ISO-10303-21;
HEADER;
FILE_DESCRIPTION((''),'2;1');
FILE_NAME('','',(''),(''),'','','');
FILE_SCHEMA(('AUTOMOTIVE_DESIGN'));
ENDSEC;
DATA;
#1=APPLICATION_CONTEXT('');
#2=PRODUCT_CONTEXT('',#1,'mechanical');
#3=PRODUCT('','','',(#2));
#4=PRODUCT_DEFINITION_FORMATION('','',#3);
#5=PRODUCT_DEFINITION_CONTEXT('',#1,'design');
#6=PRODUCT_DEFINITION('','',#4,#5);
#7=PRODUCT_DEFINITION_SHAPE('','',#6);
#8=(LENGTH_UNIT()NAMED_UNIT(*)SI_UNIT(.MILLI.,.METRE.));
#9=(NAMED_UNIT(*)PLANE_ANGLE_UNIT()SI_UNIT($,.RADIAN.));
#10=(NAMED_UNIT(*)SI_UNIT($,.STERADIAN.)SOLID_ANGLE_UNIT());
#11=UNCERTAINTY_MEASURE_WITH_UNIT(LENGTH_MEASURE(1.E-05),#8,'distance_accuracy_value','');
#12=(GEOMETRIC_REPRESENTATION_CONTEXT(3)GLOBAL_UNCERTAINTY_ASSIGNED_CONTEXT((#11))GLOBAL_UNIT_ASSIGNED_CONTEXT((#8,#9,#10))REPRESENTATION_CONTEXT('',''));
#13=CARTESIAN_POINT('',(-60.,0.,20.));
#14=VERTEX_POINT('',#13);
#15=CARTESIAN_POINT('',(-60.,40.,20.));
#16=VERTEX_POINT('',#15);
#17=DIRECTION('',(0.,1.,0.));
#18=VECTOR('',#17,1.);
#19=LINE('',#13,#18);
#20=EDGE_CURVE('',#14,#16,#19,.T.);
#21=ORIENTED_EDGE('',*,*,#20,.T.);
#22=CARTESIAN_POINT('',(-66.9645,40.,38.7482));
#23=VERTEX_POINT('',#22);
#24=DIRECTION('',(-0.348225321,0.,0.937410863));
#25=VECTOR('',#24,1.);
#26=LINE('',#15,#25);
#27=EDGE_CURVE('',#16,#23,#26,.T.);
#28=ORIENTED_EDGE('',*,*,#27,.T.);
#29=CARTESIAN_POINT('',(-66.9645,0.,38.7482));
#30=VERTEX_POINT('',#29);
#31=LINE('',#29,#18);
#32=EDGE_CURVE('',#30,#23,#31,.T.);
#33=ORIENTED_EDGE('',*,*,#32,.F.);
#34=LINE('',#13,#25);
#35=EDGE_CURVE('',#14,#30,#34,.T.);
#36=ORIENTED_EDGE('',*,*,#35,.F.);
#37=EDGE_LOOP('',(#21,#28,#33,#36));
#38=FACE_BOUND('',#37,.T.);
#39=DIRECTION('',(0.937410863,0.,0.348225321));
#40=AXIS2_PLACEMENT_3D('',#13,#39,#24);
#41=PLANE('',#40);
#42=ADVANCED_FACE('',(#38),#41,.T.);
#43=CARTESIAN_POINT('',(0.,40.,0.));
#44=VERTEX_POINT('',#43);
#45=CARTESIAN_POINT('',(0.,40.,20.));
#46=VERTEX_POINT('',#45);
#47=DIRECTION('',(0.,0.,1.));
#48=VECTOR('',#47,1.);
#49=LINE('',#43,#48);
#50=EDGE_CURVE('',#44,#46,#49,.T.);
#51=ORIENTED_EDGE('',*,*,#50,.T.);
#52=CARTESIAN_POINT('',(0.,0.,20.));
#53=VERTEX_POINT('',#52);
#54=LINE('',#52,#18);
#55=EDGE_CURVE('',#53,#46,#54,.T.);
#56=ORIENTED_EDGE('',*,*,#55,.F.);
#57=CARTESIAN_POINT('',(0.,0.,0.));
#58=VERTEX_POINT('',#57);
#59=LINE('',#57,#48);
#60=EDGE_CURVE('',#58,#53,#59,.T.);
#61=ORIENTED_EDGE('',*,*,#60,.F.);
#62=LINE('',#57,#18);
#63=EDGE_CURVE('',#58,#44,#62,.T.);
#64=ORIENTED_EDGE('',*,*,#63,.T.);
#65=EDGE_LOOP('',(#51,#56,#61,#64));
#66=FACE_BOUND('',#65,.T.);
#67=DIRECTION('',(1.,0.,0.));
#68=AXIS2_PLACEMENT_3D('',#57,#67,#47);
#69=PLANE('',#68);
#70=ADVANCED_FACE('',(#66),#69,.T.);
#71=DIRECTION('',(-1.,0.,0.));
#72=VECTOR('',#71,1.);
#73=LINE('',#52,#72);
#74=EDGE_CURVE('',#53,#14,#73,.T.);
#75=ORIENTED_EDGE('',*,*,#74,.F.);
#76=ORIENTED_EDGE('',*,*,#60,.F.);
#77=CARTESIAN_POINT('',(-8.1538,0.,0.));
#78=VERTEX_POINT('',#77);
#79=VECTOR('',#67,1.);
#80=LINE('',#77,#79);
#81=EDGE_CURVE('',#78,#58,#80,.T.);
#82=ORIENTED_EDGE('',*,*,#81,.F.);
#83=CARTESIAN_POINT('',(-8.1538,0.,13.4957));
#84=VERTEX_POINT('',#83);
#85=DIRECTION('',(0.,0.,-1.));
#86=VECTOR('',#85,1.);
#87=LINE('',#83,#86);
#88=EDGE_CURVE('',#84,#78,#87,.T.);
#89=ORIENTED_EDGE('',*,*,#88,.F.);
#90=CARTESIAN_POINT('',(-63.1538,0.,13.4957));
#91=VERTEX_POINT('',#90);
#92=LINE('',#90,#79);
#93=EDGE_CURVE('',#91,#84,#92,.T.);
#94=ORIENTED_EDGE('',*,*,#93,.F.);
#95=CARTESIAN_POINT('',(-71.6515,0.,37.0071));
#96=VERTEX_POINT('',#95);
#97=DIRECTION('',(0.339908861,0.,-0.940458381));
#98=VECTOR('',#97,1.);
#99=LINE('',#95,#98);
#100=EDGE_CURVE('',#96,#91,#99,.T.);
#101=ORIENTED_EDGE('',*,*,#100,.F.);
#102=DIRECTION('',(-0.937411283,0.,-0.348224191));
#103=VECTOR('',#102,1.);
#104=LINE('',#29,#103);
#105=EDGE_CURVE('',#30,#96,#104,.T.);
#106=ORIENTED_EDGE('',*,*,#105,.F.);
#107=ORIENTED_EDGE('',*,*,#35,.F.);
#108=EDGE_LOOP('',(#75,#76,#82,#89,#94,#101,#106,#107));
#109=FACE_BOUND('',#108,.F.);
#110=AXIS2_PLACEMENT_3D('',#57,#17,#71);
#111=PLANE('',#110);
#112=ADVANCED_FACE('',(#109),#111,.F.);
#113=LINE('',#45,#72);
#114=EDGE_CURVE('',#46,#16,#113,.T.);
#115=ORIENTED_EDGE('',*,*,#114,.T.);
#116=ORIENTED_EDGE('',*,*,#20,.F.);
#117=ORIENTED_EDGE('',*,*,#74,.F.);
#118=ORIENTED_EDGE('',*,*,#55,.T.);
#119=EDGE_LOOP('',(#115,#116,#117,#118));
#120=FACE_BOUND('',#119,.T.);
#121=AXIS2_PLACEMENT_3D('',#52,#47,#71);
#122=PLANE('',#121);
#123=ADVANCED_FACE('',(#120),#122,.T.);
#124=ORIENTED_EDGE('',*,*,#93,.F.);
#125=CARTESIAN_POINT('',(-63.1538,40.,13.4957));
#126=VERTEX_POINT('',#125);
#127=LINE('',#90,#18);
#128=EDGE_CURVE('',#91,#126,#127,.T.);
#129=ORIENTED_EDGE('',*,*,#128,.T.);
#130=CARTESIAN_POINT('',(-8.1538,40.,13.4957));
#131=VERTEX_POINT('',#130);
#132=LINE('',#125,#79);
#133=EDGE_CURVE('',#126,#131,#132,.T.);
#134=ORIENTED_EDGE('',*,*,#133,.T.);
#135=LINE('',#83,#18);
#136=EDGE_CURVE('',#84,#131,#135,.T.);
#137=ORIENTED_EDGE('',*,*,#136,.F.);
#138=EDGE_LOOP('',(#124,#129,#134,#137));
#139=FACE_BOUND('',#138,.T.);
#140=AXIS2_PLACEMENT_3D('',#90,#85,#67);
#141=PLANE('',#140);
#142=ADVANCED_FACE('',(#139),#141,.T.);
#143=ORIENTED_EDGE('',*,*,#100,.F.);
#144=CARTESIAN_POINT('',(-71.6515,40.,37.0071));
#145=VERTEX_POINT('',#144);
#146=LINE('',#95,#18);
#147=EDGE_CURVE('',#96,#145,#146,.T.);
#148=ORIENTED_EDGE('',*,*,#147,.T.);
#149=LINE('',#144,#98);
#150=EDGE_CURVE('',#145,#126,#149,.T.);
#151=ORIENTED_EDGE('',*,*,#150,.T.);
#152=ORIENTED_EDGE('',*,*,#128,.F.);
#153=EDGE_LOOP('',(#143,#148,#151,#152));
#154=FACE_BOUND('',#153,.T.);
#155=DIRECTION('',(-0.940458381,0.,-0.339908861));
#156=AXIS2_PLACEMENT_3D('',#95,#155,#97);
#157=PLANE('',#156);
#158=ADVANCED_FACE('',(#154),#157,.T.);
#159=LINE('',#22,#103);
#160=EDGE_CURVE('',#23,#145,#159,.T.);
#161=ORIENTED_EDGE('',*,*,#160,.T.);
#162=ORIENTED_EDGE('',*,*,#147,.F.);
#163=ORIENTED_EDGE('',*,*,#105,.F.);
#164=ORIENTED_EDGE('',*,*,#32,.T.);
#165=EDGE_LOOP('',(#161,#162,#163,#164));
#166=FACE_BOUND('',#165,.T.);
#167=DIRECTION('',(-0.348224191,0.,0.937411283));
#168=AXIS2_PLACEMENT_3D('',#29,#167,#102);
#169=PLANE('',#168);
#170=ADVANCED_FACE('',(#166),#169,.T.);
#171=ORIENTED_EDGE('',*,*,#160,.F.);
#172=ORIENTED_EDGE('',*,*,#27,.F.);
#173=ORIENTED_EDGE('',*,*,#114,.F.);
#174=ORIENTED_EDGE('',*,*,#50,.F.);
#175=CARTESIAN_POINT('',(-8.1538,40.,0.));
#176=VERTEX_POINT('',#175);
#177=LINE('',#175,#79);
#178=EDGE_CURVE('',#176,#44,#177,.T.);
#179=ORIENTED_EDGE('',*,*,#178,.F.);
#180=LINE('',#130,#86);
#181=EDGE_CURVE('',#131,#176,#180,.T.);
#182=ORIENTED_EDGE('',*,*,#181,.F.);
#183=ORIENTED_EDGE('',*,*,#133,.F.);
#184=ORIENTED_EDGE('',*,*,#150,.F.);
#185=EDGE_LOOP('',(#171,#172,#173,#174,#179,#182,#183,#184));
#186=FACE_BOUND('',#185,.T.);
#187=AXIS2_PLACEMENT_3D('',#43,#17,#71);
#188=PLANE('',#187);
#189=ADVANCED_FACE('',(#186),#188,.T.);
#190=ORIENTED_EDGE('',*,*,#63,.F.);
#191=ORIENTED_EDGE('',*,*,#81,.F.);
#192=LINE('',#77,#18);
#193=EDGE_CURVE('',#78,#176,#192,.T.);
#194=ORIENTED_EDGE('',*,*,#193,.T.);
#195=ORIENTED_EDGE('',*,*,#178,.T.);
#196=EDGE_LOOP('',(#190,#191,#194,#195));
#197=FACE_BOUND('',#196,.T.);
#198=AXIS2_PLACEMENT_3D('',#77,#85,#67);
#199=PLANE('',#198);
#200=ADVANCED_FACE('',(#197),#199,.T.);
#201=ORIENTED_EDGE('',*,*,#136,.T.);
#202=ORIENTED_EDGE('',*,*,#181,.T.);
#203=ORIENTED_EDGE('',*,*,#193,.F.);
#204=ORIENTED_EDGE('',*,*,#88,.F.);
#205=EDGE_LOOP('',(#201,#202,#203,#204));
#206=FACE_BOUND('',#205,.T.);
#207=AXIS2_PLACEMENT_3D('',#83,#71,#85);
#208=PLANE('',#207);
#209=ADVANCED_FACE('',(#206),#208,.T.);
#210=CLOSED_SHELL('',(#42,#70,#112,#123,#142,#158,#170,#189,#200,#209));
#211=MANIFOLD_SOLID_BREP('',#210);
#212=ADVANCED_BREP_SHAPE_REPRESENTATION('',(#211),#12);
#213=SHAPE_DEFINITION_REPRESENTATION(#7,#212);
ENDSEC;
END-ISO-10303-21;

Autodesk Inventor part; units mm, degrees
ref_plane "YZ Plane" through (0, 0, 0) normal (1, 0, 0) x (0, 1, 0)
ref_plane "XZ Plane" through (0, 0, 0) normal (0, 1, 0) x (-1, 0, 0)
ref_plane "XY Plane" through (0, 0, 0) normal (0, 0, 1) x (1, 0, 0)
sketch "Sketch1" plane through (0, 0, 0) normal (0, 1, 0) x (-1, 0, 0)
  line L0 (0, 0) -> (0, 20)
  line L1 (0, 20) -> (60, 20)
  line L2 (60, 20) -> (66.9645, 38.7482)
  line L3 (66.9645, 38.7482) -> (71.6515, 37.0071)
  line L4 (71.6515, 37.0071) -> (63.1538, 13.4957)
  line L5 (63.1538, 13.4957) -> (8.1538, 13.4957)
  line L6 (8.1538, 13.4957) -> (8.1538, 0)
  line L7 (8.1538, 0) -> (0, 0)
  dimension "d0" = 20
  dimension "d1" = 60
  dimension "d2" = 20
  dimension "d3" = 5
  dimension "d4" = 25
  dimension "d5" = 55
extrude "Extrusion1" add sketch "Sketch1" along normal blind 40
sketch "Sketch2" plane through (0, 40, 0) normal (0, 1, 0) x (1, 0, 0)
  point P0 (0, 0)
properties part number "montageArm"
